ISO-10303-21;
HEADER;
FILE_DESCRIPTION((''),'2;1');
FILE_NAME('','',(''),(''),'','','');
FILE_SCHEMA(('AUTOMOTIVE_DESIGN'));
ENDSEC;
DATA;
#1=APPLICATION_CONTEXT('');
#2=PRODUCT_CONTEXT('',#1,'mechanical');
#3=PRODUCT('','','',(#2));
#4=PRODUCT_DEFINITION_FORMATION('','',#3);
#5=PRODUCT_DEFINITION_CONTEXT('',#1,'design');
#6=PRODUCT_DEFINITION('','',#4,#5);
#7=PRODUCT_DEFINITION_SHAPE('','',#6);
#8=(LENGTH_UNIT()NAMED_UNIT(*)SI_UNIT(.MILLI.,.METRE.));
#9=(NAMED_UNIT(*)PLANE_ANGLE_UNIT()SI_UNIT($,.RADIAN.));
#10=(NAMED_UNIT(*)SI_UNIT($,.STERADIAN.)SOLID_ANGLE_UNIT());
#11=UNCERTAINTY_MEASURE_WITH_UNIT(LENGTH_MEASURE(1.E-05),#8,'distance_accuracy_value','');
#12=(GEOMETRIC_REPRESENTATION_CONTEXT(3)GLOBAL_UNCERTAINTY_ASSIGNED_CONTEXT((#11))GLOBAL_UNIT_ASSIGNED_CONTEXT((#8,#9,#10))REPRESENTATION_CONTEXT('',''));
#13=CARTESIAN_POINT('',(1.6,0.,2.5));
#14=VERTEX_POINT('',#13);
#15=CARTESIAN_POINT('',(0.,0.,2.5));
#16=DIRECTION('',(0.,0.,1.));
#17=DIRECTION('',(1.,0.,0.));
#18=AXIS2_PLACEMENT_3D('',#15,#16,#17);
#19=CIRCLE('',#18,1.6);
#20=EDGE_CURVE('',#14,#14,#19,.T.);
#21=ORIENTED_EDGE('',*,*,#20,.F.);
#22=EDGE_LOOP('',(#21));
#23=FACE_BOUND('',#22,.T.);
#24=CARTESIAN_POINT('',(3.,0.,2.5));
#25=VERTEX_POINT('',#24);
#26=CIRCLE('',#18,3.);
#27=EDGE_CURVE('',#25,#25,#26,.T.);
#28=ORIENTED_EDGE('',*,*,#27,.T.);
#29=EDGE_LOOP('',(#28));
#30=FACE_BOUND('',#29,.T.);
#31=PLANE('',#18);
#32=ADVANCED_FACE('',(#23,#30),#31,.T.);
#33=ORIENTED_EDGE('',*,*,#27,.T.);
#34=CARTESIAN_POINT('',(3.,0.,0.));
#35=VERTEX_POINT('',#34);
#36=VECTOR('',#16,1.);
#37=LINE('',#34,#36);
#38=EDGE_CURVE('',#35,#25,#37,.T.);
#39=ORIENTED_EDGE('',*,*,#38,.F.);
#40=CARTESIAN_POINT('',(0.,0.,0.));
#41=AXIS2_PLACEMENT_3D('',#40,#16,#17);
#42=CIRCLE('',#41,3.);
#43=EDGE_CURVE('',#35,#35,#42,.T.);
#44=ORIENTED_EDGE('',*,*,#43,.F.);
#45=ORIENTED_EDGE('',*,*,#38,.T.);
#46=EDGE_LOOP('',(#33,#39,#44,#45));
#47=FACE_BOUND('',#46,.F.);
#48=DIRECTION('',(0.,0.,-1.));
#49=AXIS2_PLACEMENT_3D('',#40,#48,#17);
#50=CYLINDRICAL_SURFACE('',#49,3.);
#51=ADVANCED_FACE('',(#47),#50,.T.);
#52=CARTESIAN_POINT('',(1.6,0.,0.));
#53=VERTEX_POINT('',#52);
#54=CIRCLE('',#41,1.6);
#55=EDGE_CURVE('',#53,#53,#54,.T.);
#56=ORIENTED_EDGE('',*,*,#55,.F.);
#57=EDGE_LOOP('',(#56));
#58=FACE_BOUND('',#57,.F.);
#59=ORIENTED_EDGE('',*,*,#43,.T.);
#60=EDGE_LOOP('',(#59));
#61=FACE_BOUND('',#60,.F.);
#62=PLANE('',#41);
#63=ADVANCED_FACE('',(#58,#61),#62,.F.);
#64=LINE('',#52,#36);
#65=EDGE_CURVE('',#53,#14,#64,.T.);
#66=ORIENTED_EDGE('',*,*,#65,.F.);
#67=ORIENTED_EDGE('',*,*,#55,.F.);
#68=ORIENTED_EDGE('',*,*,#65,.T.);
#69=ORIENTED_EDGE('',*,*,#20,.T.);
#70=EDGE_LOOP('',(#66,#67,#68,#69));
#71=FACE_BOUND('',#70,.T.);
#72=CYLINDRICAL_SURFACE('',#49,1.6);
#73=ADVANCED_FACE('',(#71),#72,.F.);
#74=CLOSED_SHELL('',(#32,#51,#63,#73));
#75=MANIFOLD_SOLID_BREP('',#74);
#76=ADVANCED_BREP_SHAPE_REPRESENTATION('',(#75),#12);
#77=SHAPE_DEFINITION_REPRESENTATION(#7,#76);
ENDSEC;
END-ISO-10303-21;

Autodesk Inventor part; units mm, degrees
ref_plane "YZ Plane" through (0, 0, 0) normal (1, 0, 0) x (0, 1, 0)
ref_plane "XZ Plane" through (0, 0, 0) normal (0, 1, 0) x (-1, 0, 0)
sketch "スケッチ1" plane through (0, 0, 0) normal (0, 0, 1) x (1, 0, 0)
  circle A0 centre (0, 0) radius 1.6
  circle A1 centre (0, 0) radius 3
  dimension "d0" = 3.2
  dimension "d1" = 6
extrude "押し出し1" add sketch "スケッチ1" along normal blind 2.5
sketch "スケッチ2" plane through (0, 0, 0) normal (1, 0, 0) x (0, 1, 0)
  arc A0 (2.85, 3.5) -> (-2.85, 3.5) centre (0, -0.0613) ccw
  line L0 (2.85, 3.5) -> (-2.85, 3.5)
  line L1 (-2.85, 3.5) -> (-2.85, 2.5)
  line L2 (-2.85, 2.5) -> (2.85, 2.5)
  line L3 (2.85, 2.5) -> (2.85, 3.5)
  line L4 (3, 2.5) -> (-3, 2.5) projected
  line L5 (10, 4.5) -> (-10, 4.5)
  line L6 (0, 2.5) -> (0, 4.5)
  point P0 (0, 0)
  point P1 (0, 4.5)
  dimension "d4" = 1
  dimension "d5" = 1
  dimension "d7" = 5.7
revolve "回転1" add sketch "スケッチ2" angle 360 about axis through (0, 0, 2.5) along (0, 0, 1) picked at (1.6112, 3.682) contours L0 L6 A0 | L3 L2 L6 L0
ref_plane "作業平面1" through (0, 0, 4.5) normal (0, 0, 1) x (1, 0, 0)
sketch "スケッチ3" plane through (0, 0, 4.5) normal (0, 0, 1) x (1, 0, 0)
  line L0 (2.25, -0.5) -> (-2.25, -0.5)
  line L1 (-2.25, -0.5) -> (-2.25, 0.5)
  line L2 (-2.25, 0.5) -> (2.25, 0.5)
  line L3 (2.25, 0.5) -> (2.25, -0.5)
  line L4 (2.25, -0.5) -> (-2.25, 0.5) construction
  line L5 (-2.25, -0.5) -> (2.25, 0.5) construction
  line L6 (-0.5, -2.25) -> (0.5, -2.25)
  line L7 (0.5, -2.25) -> (0.5, 2.25)
  line L8 (0.5, 2.25) -> (-0.5, 2.25)
  line L9 (-0.5, 2.25) -> (-0.5, -2.25)
  line L10 (-0.5, -2.25) -> (0.5, 2.25) construction
  line L11 (0.5, -2.25) -> (-0.5, 2.25) construction
  point P0 (0, 0)
  point P1 (-0.5, 0.5)
  point P2 (-0.5, -0.5)
  point P3 (0.5, -0.5)
  point P4 (0.5, 0.5)
  dimension "d9" = 4.5
  dimension "d10" = 1
extrude "押し出し2" cut sketch "スケッチ3" against normal blind 1
sketch "スケッチ5" plane through (0, 0, 2.5) normal (0, 0, 1) x (1, 0, 0)
  circle A0 centre (0, 0) radius 3 projected
extrude "押し出し4" cut sketch "スケッチ5" along normal through all
properties part number "bearing_3_6_2.5_noscrew" material "アルミニウム 6061"
